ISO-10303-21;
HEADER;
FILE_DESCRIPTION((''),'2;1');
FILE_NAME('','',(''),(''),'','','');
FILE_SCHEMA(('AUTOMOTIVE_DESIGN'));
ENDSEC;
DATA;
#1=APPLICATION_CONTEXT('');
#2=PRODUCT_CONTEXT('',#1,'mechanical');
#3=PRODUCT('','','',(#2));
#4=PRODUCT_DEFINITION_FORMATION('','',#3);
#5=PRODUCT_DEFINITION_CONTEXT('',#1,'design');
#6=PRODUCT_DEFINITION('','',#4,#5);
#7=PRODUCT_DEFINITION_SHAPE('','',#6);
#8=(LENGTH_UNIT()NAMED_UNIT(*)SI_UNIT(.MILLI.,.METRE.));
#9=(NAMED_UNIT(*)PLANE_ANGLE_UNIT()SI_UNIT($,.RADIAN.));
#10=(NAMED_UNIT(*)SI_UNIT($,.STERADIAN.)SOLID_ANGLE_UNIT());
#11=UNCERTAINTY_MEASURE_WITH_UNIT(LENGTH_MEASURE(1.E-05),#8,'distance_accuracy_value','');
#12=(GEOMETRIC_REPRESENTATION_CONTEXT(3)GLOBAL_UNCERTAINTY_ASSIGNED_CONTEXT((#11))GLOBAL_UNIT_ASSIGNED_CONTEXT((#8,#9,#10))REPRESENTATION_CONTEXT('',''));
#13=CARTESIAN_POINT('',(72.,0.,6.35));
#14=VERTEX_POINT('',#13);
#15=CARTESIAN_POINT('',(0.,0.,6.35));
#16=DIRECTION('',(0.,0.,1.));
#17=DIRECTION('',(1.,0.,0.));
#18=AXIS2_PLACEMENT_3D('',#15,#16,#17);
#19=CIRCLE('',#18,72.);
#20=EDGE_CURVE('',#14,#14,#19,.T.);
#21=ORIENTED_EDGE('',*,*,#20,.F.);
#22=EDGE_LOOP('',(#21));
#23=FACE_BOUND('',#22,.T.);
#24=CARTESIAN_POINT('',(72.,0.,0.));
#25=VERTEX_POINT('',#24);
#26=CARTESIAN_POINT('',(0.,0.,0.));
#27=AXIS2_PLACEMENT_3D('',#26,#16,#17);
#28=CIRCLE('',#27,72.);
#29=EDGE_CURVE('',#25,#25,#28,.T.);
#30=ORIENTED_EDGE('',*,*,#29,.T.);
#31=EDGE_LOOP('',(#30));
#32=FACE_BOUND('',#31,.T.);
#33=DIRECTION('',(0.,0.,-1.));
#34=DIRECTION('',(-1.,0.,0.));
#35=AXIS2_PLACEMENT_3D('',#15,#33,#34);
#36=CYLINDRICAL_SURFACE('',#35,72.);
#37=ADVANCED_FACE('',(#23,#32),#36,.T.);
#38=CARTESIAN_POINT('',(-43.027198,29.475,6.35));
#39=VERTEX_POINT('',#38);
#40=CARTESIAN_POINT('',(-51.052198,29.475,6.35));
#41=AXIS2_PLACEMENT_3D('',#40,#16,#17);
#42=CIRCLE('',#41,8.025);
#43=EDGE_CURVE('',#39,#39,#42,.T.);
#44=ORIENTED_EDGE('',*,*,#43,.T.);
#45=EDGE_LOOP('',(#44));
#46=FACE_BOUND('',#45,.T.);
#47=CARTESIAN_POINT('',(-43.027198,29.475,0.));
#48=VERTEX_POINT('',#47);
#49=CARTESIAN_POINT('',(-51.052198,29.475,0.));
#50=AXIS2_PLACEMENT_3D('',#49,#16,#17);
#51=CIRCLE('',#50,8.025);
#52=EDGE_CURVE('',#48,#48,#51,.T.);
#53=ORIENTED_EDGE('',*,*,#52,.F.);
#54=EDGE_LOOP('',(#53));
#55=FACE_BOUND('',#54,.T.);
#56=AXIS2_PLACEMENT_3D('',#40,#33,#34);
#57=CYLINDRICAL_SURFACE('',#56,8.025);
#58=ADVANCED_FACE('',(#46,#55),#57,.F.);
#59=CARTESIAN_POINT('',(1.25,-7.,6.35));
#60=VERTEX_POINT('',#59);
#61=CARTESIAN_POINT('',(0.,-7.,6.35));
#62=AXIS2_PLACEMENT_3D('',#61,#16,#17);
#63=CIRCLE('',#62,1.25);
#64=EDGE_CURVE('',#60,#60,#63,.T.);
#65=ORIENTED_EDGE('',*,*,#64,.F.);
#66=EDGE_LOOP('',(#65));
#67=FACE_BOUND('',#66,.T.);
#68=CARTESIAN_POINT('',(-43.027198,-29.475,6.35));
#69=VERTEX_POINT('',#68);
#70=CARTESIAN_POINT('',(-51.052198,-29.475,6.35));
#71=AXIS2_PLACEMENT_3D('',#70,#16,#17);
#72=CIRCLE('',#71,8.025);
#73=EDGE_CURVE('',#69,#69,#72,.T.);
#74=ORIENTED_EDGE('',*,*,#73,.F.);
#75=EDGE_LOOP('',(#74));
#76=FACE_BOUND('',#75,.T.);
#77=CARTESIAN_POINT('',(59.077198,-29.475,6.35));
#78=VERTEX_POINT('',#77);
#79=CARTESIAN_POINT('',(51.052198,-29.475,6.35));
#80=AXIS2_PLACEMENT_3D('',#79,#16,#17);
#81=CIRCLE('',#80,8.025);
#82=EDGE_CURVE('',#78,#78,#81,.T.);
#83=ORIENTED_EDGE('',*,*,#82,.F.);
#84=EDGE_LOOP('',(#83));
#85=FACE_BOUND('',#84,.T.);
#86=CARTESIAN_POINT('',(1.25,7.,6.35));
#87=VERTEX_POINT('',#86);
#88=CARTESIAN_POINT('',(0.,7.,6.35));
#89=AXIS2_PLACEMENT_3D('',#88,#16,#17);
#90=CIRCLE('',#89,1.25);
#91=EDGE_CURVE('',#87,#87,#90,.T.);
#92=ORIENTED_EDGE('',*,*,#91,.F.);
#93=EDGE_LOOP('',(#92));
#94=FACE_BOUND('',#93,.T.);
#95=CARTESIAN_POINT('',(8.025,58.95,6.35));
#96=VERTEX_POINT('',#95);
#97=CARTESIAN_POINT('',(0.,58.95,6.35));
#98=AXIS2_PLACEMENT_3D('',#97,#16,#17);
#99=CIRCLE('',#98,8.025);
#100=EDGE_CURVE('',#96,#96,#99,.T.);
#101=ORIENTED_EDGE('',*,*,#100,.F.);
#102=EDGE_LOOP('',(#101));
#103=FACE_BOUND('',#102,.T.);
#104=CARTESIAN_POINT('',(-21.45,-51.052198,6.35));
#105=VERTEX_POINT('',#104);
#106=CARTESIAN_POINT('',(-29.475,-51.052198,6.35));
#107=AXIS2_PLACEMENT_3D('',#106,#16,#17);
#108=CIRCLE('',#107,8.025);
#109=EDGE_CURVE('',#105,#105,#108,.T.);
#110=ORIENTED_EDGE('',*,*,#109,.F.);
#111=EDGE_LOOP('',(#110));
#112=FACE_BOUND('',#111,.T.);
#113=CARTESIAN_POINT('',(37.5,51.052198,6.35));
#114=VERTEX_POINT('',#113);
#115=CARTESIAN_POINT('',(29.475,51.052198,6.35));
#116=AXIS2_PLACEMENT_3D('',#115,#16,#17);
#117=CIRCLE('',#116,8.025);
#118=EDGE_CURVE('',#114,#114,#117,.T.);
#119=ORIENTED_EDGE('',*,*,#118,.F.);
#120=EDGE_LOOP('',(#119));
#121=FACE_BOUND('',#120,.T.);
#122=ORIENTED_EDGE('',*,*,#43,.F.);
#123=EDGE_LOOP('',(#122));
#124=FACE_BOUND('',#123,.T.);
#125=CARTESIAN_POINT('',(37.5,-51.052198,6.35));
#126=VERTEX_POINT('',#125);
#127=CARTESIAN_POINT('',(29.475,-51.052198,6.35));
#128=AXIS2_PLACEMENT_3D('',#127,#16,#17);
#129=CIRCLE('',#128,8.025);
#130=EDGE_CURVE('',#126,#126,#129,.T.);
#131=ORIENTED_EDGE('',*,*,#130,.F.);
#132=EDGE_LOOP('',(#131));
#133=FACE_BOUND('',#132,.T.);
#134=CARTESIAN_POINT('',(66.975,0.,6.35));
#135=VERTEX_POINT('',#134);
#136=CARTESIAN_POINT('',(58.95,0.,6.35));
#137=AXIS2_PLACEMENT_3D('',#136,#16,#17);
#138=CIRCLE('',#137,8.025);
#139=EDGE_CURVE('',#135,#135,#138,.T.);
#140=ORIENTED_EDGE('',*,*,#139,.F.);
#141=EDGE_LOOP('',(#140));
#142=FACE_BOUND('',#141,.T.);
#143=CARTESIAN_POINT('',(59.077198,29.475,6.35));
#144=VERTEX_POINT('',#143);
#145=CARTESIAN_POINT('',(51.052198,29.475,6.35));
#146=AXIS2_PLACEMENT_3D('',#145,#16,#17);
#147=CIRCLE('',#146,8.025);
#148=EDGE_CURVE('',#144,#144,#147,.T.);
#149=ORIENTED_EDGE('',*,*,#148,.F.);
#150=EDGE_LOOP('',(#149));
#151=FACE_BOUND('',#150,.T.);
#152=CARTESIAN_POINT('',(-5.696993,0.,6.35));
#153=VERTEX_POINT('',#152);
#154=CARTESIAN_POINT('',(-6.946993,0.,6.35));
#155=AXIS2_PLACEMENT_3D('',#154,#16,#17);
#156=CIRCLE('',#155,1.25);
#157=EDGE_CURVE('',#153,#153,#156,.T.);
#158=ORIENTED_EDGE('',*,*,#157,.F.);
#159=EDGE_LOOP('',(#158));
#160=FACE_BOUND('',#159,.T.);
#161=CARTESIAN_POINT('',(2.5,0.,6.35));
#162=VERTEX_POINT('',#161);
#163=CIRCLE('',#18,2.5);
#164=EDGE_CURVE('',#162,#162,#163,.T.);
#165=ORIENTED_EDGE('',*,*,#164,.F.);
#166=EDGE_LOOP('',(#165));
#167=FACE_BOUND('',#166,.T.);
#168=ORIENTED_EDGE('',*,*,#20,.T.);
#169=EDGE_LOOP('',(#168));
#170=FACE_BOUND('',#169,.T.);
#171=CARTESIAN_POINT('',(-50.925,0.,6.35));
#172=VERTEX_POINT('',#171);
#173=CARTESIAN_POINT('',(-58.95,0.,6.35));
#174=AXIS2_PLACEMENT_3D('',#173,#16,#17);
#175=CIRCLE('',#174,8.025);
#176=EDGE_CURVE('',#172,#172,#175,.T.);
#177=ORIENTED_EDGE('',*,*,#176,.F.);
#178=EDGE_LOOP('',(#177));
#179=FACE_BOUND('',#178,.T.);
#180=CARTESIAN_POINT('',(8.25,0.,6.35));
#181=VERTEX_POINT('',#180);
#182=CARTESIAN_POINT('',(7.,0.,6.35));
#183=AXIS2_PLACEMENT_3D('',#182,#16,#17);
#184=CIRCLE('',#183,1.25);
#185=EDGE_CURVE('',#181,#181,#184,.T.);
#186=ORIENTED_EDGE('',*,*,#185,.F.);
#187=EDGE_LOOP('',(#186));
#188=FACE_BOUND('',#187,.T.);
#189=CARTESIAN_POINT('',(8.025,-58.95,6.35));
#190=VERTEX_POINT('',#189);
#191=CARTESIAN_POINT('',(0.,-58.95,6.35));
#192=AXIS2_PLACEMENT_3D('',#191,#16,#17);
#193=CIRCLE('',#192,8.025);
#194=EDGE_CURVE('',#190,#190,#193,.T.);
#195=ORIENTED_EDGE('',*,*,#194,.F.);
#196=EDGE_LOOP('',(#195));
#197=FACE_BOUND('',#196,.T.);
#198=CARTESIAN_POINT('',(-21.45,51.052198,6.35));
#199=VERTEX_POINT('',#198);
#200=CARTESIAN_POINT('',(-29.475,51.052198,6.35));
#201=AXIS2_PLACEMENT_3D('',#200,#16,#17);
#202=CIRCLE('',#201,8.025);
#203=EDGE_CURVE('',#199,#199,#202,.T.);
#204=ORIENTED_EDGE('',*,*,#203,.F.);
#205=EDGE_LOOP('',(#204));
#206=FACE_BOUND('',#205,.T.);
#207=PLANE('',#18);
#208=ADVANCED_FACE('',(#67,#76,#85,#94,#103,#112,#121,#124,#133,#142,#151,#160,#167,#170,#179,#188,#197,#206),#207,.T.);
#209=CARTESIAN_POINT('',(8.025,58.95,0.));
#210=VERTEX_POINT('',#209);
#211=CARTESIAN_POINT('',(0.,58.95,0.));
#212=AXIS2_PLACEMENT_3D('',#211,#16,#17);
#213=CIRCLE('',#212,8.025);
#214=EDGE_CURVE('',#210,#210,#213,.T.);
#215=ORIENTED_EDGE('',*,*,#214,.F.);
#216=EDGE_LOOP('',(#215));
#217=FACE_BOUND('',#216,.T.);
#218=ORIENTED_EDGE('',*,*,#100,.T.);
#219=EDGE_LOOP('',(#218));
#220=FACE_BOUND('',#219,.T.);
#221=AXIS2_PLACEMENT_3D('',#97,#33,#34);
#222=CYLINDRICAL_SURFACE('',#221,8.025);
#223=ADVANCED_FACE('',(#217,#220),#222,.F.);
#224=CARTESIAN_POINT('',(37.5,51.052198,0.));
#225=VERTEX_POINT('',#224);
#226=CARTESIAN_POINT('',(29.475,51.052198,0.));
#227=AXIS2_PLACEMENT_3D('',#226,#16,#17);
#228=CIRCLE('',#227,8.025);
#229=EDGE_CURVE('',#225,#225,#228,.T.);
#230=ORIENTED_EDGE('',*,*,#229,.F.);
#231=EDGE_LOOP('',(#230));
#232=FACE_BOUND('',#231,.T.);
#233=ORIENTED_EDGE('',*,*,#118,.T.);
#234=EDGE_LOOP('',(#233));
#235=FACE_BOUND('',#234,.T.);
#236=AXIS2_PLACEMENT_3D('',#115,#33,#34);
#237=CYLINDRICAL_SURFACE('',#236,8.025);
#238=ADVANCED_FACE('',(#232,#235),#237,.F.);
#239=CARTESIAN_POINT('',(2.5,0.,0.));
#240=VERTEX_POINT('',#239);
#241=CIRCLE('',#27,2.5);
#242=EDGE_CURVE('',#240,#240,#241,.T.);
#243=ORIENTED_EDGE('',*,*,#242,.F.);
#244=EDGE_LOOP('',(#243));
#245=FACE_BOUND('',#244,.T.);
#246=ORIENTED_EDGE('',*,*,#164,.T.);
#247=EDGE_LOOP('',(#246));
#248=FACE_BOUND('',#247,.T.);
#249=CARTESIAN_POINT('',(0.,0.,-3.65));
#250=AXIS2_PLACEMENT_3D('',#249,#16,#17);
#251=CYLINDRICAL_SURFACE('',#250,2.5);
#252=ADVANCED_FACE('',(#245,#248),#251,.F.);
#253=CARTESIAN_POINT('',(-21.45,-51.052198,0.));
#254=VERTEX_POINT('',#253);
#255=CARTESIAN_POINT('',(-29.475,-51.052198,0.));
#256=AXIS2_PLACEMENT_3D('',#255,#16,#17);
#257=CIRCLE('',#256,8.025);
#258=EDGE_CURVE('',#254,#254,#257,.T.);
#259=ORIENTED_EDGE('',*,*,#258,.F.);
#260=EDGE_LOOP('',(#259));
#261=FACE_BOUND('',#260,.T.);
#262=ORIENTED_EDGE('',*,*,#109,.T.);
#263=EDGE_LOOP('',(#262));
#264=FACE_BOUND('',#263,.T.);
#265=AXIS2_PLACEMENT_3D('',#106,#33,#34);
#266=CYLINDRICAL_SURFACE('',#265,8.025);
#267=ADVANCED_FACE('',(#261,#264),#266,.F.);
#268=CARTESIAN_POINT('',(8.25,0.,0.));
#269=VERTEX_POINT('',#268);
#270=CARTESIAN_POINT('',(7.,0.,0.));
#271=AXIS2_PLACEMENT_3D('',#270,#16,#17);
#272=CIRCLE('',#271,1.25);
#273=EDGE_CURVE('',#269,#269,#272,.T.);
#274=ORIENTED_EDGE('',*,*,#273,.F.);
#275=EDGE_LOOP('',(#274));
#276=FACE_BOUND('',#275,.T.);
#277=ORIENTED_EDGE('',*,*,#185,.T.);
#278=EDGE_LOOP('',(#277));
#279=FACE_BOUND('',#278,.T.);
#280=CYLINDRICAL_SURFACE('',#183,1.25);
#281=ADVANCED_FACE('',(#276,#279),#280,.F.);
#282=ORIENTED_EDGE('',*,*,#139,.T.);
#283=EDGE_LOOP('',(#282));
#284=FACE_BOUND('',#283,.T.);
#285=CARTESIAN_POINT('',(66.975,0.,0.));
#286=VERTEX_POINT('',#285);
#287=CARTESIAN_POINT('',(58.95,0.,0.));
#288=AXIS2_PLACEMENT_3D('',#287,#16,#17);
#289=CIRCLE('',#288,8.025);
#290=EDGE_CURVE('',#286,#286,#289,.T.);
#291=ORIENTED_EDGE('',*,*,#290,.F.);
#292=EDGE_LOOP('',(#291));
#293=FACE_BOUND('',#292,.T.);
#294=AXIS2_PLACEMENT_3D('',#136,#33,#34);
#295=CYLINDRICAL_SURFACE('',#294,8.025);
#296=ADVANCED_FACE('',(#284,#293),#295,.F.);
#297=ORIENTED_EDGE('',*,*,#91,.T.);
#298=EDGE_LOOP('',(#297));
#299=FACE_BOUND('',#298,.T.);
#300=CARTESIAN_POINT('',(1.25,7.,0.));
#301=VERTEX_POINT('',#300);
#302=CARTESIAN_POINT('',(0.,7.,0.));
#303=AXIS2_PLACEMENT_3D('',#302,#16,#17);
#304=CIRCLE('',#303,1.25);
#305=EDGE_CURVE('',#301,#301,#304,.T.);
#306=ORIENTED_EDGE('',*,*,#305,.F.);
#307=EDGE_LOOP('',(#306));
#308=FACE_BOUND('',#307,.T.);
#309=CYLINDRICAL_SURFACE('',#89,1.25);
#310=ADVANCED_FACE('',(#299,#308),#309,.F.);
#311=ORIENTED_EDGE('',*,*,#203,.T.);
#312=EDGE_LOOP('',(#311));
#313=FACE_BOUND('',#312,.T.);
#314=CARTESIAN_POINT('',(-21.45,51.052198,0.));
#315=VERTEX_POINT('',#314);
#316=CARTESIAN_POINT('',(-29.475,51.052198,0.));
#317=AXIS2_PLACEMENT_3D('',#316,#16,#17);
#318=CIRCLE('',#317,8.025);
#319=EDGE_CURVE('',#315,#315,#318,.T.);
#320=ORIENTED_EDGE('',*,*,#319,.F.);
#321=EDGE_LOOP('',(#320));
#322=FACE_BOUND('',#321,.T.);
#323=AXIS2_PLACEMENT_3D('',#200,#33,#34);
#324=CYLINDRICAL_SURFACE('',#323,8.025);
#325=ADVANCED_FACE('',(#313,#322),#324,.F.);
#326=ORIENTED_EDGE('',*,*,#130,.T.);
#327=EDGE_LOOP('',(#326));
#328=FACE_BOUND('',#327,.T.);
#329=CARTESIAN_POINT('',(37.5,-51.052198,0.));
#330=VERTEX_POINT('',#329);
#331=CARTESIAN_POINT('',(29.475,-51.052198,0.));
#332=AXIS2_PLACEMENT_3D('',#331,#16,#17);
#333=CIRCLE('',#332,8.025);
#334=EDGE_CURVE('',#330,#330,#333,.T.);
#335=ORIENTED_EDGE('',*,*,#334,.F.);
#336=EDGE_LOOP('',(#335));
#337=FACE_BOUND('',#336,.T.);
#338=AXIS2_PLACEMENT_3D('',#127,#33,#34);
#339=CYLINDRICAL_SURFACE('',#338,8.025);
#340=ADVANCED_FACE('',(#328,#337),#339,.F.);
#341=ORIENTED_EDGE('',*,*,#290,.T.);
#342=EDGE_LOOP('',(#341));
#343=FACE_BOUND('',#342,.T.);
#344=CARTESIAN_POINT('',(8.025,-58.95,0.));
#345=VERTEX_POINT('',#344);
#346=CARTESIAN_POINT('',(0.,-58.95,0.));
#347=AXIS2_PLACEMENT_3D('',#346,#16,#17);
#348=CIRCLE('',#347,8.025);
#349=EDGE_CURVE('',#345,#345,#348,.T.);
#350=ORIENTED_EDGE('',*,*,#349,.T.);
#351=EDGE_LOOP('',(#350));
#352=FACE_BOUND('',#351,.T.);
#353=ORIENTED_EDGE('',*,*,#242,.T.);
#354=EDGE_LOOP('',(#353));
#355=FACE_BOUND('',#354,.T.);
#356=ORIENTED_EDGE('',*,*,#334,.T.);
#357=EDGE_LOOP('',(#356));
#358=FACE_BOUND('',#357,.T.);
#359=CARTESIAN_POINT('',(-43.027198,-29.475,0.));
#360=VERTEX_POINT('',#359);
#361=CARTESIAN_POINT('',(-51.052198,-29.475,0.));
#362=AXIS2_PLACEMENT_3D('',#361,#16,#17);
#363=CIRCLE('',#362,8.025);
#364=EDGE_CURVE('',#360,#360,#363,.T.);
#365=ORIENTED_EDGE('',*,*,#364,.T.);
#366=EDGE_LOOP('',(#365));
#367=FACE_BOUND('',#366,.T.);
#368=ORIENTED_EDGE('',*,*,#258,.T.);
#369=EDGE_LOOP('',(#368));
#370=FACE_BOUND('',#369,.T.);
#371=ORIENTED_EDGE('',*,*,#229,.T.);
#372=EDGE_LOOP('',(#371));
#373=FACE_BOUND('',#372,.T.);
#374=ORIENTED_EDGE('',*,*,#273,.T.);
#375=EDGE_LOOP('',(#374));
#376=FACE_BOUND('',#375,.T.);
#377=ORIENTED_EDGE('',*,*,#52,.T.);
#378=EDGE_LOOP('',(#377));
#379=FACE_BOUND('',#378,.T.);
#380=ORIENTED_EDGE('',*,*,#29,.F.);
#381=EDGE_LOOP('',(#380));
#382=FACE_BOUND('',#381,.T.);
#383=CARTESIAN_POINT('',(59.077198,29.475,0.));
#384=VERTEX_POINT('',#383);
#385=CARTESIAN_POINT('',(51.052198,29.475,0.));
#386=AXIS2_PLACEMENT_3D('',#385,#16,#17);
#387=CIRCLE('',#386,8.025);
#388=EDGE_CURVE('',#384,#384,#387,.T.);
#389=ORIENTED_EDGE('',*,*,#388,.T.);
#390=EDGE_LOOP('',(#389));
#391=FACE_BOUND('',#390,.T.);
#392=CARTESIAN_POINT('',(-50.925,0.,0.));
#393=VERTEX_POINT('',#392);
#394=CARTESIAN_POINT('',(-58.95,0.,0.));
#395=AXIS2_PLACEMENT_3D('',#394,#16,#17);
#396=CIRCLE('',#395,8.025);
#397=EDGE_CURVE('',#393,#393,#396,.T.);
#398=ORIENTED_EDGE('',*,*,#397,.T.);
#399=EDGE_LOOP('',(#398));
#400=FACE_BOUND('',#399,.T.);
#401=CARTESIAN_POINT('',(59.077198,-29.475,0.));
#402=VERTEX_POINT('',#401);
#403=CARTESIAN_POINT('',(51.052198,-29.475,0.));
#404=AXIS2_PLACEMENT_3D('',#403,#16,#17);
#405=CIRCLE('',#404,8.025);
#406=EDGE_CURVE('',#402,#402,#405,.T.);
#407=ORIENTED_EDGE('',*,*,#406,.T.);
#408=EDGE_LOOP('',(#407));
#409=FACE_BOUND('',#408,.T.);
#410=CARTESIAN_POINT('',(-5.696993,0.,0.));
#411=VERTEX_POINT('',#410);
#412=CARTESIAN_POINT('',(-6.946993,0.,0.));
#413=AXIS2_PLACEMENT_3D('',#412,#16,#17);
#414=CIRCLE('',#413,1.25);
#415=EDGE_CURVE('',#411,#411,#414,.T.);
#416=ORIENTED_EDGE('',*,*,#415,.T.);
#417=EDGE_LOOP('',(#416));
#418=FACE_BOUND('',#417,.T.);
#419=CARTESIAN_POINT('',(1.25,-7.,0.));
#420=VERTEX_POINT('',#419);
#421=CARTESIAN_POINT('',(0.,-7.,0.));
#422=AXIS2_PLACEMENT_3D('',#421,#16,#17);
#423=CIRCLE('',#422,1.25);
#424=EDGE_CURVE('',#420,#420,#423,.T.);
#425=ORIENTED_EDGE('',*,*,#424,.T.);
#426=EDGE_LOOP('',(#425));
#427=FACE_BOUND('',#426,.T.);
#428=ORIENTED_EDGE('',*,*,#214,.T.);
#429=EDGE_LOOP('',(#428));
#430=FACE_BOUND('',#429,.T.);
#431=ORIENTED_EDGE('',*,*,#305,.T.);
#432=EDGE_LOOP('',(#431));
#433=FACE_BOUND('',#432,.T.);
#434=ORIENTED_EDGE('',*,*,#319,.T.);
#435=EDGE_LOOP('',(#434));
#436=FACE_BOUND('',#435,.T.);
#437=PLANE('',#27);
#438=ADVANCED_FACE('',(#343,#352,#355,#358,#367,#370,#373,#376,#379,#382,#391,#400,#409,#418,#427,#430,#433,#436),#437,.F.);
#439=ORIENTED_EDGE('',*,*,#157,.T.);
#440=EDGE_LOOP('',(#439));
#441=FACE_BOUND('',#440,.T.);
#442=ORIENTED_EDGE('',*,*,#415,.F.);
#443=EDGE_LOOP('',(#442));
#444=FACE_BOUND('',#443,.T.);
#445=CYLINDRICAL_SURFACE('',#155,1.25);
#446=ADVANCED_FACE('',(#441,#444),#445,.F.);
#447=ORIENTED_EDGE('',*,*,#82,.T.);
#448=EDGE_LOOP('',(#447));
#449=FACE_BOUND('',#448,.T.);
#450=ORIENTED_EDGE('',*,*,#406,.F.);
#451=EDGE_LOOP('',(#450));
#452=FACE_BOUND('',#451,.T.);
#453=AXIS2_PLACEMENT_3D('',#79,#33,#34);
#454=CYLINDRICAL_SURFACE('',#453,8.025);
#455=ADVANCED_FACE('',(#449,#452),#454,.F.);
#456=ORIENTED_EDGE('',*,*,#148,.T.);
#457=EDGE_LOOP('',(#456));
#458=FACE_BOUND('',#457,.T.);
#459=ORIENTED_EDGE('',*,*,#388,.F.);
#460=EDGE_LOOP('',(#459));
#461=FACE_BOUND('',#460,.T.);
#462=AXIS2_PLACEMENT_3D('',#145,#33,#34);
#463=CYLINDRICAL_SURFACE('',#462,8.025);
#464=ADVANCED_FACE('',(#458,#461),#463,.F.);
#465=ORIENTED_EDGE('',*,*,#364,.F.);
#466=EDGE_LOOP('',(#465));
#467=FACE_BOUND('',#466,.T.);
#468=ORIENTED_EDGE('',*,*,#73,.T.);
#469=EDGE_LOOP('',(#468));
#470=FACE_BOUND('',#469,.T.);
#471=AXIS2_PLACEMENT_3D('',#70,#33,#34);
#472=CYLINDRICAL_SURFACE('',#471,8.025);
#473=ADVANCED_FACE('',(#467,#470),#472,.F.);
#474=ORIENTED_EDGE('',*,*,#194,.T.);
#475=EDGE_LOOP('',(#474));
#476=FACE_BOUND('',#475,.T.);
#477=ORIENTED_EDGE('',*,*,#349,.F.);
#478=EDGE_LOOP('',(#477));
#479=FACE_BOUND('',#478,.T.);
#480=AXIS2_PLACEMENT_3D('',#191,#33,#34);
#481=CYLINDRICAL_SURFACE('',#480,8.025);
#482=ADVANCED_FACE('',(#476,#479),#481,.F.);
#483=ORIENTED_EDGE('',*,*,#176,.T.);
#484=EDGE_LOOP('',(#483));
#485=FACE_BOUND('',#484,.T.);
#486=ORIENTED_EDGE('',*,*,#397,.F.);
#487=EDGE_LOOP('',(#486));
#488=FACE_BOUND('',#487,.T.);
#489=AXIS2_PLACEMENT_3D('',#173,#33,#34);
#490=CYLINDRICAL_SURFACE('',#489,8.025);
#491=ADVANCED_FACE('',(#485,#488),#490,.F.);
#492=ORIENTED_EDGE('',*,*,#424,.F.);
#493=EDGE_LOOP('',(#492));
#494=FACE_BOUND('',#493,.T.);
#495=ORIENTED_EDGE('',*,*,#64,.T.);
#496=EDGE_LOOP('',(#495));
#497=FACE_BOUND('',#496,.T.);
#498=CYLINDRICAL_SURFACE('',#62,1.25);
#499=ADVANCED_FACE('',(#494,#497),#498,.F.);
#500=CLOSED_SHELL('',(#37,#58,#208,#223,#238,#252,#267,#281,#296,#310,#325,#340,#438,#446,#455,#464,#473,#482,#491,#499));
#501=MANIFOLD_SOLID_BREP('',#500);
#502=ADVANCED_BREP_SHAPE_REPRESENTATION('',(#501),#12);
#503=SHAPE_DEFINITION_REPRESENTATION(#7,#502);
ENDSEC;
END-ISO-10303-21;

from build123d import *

# Parameters (mm, degrees)
SKETCH1_R             = 72
SKETCH1_R_2           = 8.025
BOSS_EXTRUDE1_DEPTH   = 6.35
SKETCH2_R             = 2.5
CUT_EXTRUDE1_DEPTH    = 10
M3X0_5_TAPPED_HOLE1_D = 2.5
M3X0_5_TAPPED_HOLE2_D = 2.5
M3X0_5_TAPPED_HOLE3_D = 2.5
M3X0_5_TAPPED_HOLE4_D = 2.5


with BuildPart() as part:
    # Sketch1 → Boss-Extrude1 (new body)
    with BuildSketch(Plane.XY):
        Circle(SKETCH1_R)
        with Locations((58.95, 0)):
            Circle(SKETCH1_R_2, mode=Mode.SUBTRACT)
        with Locations((51.052197553, 29.475)):
            Circle(SKETCH1_R_2, mode=Mode.SUBTRACT)
        with Locations((29.475, 51.052197553)):
            Circle(SKETCH1_R_2, mode=Mode.SUBTRACT)
        with Locations((0, 58.95)):
            Circle(SKETCH1_R_2, mode=Mode.SUBTRACT)
        with Locations((-29.475, 51.052197553)):
            Circle(SKETCH1_R_2, mode=Mode.SUBTRACT)
        with Locations((-51.052197553, 29.475)):
            Circle(SKETCH1_R_2, mode=Mode.SUBTRACT)
        with Locations((-58.95, 0)):
            Circle(SKETCH1_R_2, mode=Mode.SUBTRACT)
        with Locations((-51.052197553, -29.475)):
            Circle(SKETCH1_R_2, mode=Mode.SUBTRACT)
        with Locations((-29.475, -51.052197553)):
            Circle(SKETCH1_R_2, mode=Mode.SUBTRACT)
        with Locations((0, -58.95)):
            Circle(SKETCH1_R_2, mode=Mode.SUBTRACT)
        with Locations((29.475, -51.052197553)):
            Circle(SKETCH1_R_2, mode=Mode.SUBTRACT)
        with Locations((51.052197553, -29.475)):
            Circle(SKETCH1_R_2, mode=Mode.SUBTRACT)
    extrude(amount=BOSS_EXTRUDE1_DEPTH)

    # Sketch2 → Cut-Extrude1 (cut)
    with BuildSketch(Plane.XY.offset(6.35)):
        Circle(SKETCH2_R)
    extrude(amount=-CUT_EXTRUDE1_DEPTH, mode=Mode.SUBTRACT)

    # M3x0.5 Tapped Hole1 (through all)
    with Locations(Plane(origin=(-6.94699298, 0, 6.35), x_dir=(1, 0, 0), z_dir=(0, 0, 1))):
        with Locations((0, 0)):
            Hole(M3X0_5_TAPPED_HOLE1_D / 2)

    # M3x0.5 Tapped Hole2 (through all)
    with Locations(Plane(origin=(0, 7, 6.35), x_dir=(1, 0, 0), z_dir=(0, 0, 1))):
        with Locations((0, 0)):
            Hole(M3X0_5_TAPPED_HOLE2_D / 2)

    # M3x0.5 Tapped Hole3 (through all)
    with Locations(Plane(origin=(0, -7, 6.35), x_dir=(1, 0, 0), z_dir=(0, 0, 1))):
        with Locations((0, 0)):
            Hole(M3X0_5_TAPPED_HOLE3_D / 2)

    # M3x0.5 Tapped Hole4 (through all)
    with Locations(Plane(origin=(7, 0, 6.35), x_dir=(1, 0, 0), z_dir=(0, 0, 1))):
        with Locations((0, 0)):
            Hole(M3X0_5_TAPPED_HOLE4_D / 2)


solid = part.part
